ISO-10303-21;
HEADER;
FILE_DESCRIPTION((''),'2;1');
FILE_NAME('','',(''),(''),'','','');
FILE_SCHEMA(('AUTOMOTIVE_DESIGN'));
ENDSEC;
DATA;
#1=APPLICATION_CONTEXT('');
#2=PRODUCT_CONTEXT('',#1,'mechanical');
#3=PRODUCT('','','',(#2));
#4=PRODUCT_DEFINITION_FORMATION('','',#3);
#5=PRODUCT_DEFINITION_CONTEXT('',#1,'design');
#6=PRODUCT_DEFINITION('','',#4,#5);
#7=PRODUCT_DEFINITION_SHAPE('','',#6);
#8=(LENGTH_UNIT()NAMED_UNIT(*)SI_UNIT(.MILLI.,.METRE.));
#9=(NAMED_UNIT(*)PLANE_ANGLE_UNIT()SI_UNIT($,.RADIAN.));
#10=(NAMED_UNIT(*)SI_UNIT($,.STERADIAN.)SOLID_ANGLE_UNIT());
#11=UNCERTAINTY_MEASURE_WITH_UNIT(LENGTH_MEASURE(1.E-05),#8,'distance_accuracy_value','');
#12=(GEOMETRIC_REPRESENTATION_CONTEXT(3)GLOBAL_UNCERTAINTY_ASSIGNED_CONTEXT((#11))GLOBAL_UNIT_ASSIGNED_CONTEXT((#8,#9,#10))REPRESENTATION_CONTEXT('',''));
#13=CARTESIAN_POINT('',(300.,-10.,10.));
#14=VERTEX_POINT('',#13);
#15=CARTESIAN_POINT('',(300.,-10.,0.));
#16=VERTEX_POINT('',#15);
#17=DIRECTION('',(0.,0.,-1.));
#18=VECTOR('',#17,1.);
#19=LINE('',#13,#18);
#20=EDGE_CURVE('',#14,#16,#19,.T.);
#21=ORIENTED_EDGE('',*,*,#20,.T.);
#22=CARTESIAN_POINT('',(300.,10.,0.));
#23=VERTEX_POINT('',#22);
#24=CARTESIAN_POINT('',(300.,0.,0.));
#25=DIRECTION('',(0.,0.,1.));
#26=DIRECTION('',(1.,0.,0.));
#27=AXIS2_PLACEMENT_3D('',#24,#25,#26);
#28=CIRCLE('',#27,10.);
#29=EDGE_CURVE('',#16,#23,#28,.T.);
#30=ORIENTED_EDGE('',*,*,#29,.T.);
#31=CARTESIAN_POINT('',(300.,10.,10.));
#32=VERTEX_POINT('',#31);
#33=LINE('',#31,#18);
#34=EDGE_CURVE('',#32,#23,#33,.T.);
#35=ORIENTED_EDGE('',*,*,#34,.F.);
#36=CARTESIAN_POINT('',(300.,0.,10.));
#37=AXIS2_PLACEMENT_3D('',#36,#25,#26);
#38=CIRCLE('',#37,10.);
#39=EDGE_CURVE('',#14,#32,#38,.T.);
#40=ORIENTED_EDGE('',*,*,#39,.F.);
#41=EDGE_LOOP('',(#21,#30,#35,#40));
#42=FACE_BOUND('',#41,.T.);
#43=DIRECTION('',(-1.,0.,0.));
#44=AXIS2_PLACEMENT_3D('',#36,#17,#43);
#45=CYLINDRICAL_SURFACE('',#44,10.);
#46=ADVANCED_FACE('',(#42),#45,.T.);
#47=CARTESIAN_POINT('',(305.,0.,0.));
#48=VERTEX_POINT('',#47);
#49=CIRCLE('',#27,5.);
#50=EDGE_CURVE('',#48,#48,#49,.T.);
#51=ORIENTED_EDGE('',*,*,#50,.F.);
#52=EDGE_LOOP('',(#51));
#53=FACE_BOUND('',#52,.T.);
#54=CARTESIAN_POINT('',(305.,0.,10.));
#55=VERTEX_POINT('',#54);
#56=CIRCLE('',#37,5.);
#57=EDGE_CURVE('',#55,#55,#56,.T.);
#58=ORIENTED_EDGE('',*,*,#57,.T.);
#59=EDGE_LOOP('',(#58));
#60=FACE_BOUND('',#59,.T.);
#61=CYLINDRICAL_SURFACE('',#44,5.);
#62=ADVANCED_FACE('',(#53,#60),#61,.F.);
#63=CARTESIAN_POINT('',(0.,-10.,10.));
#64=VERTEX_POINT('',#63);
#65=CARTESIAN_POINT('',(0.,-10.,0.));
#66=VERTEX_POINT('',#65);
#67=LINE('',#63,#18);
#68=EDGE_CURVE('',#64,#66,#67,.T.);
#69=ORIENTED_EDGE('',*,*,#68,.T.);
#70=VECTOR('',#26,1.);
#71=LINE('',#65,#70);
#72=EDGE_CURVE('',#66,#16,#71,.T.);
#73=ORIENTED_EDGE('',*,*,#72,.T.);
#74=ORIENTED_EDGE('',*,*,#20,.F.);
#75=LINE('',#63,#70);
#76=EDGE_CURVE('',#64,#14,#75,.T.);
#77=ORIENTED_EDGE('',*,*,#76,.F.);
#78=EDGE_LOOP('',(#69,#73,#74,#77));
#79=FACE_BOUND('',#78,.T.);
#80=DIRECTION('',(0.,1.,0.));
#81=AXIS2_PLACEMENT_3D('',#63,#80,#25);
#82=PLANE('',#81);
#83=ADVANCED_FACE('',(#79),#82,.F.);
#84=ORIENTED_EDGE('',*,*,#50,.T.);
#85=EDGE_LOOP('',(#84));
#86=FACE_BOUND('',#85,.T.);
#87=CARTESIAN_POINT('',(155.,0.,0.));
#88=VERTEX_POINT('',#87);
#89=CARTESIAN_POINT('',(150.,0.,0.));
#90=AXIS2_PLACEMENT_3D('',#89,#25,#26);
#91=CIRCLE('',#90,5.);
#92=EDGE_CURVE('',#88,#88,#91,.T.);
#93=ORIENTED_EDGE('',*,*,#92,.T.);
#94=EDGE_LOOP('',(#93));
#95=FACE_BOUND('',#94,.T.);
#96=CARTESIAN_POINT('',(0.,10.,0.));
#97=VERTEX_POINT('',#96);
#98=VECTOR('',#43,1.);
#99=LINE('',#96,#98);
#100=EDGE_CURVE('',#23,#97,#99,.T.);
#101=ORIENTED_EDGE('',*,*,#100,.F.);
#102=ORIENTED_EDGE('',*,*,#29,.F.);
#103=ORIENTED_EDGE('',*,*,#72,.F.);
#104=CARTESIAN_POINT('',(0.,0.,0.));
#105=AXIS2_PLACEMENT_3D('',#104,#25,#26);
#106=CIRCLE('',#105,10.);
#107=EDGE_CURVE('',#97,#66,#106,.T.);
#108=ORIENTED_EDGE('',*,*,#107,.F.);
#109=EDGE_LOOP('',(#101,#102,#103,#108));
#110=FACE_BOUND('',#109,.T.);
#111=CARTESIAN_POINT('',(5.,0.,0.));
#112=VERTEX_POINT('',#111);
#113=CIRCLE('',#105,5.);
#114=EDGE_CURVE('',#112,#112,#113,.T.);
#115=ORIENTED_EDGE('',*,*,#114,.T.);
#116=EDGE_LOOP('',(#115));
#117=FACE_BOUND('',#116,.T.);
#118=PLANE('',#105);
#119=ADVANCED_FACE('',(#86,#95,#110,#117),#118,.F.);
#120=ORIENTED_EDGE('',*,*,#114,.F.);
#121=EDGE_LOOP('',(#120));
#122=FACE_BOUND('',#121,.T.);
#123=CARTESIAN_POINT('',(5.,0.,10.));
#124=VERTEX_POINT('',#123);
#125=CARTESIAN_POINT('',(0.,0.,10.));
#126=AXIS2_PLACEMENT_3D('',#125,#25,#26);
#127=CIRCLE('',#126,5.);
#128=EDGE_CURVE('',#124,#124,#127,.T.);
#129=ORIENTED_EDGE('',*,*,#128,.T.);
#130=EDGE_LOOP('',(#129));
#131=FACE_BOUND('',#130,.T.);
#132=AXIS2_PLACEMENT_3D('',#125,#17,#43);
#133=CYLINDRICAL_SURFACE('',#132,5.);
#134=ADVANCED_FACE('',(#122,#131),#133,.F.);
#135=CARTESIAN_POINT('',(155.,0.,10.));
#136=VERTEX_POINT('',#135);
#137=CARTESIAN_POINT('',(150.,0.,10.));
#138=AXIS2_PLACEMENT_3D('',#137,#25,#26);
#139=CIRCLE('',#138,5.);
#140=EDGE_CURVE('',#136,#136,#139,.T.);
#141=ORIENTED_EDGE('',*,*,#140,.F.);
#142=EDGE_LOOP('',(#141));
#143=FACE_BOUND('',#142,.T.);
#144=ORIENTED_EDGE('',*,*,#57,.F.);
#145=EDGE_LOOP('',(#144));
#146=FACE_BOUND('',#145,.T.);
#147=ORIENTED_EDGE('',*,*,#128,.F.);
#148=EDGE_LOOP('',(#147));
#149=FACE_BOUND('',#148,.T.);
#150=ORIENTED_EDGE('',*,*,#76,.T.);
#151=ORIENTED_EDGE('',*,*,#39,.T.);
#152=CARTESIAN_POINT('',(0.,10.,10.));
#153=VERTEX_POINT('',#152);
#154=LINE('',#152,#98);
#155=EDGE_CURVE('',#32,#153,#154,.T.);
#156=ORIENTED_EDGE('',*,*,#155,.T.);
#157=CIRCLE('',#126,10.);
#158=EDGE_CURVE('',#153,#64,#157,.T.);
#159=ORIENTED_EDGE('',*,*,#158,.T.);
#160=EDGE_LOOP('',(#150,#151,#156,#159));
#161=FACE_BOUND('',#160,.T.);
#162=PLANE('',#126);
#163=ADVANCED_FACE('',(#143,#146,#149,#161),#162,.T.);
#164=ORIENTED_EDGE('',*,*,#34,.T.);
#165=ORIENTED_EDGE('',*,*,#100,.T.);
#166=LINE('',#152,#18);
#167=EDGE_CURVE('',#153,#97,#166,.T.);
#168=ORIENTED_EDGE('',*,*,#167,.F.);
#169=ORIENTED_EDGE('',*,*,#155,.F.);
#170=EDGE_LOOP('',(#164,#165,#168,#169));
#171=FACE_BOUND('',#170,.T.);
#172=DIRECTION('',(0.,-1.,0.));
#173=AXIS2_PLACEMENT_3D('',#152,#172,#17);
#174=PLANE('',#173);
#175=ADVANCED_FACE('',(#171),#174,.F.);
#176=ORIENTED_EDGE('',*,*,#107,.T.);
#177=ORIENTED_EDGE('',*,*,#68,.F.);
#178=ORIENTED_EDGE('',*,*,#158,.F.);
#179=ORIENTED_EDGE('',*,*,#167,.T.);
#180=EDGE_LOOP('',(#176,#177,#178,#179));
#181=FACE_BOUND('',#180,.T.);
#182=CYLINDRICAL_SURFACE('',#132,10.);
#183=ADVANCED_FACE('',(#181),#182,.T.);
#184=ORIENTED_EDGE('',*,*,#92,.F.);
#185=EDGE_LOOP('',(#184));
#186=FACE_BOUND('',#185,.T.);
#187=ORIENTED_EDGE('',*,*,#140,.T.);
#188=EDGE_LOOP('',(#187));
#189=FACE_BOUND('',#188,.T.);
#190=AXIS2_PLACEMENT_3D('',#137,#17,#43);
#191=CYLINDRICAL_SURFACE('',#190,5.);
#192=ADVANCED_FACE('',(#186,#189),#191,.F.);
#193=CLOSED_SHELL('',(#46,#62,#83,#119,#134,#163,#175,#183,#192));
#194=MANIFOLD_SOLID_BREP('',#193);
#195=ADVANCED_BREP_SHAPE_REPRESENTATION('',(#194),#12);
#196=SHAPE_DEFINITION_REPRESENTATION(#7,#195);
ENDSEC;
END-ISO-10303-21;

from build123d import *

# Parameters (mm, degrees)
SKETCH1_R           = 5
BOSS_EXTRUDE1_DEPTH = 10


with BuildPart() as part:
    # Sketch1 → Boss-Extrude1 (new body)
    with BuildSketch(Plane.XY):
        with BuildLine():
            Line((0, 10), (300, 10))
            ThreePointArc((300, 10), (310, 0), (300, -10))
            Line((300, -10), (0, -10))
            ThreePointArc((0, -10), (-10, 0), (0, 10))
        make_face()
        Circle(SKETCH1_R, mode=Mode.SUBTRACT)
        with Locations((300, 0)):
            Circle(SKETCH1_R, mode=Mode.SUBTRACT)
        with Locations((150, 0)):
            Circle(SKETCH1_R, mode=Mode.SUBTRACT)
    extrude(amount=BOSS_EXTRUDE1_DEPTH)


solid = part.part
